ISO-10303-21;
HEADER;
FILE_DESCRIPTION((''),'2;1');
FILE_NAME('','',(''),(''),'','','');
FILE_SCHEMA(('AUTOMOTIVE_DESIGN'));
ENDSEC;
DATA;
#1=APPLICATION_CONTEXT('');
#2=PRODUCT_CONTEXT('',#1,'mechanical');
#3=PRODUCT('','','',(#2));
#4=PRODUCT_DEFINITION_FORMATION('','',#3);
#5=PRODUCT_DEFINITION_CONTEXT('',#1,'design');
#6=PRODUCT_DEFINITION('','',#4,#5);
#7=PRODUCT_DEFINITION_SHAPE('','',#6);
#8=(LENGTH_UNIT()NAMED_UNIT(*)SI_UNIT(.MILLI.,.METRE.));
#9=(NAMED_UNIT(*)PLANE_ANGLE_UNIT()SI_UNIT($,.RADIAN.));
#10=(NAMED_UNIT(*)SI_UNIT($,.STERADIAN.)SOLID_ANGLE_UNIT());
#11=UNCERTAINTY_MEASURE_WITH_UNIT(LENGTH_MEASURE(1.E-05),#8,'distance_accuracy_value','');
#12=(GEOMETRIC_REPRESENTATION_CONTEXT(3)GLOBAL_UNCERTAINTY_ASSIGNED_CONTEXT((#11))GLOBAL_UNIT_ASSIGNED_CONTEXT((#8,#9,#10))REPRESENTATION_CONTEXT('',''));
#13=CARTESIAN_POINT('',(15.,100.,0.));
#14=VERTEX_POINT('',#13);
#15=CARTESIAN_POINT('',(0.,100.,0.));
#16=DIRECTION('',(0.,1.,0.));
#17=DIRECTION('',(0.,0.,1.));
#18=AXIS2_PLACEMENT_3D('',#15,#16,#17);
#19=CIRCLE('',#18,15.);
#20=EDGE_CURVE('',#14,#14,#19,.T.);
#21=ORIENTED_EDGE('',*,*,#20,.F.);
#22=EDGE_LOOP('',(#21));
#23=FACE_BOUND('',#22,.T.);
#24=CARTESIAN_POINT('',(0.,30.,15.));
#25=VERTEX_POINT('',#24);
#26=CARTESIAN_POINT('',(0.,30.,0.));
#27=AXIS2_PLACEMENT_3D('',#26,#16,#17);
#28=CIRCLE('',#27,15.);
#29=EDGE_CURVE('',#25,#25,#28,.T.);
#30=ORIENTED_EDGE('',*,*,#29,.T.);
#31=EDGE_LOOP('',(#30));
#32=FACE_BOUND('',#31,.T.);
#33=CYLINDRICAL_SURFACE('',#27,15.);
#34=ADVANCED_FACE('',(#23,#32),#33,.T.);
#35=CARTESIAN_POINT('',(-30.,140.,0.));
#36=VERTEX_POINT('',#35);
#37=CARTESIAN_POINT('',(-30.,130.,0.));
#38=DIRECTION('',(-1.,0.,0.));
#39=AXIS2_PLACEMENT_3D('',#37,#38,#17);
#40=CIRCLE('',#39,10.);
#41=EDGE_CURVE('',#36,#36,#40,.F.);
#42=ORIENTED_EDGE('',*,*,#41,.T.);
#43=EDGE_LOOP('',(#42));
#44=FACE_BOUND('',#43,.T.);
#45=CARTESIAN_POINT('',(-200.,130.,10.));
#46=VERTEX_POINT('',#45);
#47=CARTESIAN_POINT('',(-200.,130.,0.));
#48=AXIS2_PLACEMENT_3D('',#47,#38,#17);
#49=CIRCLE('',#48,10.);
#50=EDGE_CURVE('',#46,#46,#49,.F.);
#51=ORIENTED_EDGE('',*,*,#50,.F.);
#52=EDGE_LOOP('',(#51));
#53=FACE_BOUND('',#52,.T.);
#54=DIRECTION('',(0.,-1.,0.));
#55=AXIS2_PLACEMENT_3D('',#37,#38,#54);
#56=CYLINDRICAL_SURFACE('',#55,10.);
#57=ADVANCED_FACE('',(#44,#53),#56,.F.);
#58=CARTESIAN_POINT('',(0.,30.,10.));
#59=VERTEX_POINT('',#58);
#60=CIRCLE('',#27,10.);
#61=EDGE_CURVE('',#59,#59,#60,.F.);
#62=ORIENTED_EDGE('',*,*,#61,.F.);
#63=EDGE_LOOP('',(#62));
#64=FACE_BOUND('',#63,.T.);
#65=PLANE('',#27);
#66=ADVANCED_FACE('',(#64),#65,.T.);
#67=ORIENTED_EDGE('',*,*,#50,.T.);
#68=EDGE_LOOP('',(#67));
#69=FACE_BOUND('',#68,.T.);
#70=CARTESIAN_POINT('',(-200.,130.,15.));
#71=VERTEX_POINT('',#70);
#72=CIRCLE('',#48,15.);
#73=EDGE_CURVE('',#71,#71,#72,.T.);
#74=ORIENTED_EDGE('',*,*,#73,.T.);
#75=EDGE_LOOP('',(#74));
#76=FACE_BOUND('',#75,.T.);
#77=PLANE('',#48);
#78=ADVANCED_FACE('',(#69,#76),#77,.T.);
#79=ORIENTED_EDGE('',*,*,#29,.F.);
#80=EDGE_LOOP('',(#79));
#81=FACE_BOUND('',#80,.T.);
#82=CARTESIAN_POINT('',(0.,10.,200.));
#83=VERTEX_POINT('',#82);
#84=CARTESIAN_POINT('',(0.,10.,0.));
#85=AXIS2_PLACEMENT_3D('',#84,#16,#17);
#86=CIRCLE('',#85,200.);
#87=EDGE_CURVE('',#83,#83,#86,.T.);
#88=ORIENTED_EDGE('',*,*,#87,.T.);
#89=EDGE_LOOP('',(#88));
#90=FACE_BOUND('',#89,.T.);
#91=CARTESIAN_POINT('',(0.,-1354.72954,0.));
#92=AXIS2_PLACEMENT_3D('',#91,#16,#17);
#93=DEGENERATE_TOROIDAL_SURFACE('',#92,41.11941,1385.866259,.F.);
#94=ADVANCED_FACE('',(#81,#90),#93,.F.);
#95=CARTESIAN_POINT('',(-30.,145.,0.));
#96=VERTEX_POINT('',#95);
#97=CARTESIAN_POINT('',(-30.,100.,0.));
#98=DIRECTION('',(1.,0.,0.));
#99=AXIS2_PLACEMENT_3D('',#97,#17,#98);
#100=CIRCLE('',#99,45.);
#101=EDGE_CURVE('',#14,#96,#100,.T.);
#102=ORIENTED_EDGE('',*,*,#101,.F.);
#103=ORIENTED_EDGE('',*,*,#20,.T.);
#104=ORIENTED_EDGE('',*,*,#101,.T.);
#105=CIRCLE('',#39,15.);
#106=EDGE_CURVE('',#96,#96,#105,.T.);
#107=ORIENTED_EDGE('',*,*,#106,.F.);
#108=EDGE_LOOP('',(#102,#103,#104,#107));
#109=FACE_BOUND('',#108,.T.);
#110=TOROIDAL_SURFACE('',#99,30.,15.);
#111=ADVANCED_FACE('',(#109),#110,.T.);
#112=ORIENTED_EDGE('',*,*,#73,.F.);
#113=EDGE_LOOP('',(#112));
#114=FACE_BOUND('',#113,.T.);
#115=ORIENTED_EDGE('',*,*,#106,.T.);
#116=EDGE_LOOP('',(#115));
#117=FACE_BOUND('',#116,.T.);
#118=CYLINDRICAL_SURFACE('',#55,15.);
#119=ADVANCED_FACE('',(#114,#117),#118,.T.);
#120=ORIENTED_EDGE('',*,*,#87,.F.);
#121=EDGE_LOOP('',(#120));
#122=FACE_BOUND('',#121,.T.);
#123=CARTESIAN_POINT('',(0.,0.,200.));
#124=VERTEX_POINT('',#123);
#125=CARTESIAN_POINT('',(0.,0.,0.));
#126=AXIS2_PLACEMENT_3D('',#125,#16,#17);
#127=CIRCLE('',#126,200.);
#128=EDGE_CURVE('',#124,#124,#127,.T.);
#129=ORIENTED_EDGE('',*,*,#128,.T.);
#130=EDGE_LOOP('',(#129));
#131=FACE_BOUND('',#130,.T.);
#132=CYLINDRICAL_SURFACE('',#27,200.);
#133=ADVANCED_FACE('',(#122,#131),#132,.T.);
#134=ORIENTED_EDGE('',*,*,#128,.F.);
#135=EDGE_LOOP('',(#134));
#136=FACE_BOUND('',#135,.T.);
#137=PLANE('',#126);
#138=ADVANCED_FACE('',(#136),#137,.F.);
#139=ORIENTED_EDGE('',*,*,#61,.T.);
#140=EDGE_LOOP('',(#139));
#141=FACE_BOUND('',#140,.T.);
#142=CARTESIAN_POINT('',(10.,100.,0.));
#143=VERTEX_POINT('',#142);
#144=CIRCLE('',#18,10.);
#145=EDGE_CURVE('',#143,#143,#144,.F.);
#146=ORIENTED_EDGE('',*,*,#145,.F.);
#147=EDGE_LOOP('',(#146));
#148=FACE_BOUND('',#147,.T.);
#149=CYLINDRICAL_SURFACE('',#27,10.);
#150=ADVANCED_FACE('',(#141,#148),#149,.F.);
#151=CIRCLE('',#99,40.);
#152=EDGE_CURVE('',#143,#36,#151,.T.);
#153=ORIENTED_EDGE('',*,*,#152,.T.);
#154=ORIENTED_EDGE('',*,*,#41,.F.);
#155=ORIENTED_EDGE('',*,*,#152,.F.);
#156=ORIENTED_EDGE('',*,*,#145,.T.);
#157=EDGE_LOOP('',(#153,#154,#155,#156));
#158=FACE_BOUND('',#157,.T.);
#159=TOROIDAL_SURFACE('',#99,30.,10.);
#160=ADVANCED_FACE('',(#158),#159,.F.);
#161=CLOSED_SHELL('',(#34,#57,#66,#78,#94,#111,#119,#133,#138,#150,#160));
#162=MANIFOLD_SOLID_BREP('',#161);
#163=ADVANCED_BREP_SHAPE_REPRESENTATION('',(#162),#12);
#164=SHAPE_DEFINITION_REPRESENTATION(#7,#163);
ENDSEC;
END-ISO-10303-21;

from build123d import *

# Parameters (mm, degrees)
SKETCH2_R   = 15
SKETCH2_R_2 = 10


with BuildPart() as part:
    # Sketch1 → Revolve2 (revolve)
    with BuildSketch(Plane(origin=(0, 0, 0), x_dir=(0, 0, -1), z_dir=(1, 0, 0))):
        with BuildLine():
            Line((0, 30), (-15, 30))
            ThreePointArc((-15, 30), (-107.836049883, 23.108461417), (-200, 10))
            Line((-200, 10), (-200, 0))
            Line((-200, 0), (0, 0))
            Line((0, 0), (0, 30))
        make_face()
    revolve(axis=Axis((0, 30, 0), (0, -1, 0)))

    # Sweep1: sweep along a path in Sketch3
    with BuildLine(Plane.XY) as sweep1_path:
        Line((0, 30), (0, 100))
        ThreePointArc((0, 100), (-8.786796564, 121.213203436), (-30, 130))
        Line((-30, 130), (-200, 130))
    # Sketch2 → Sweep1 (sweep)
    with BuildSketch(Plane(origin=(0, 30, 0), x_dir=(1, 0, 0), z_dir=(0, 1, 0))):
        Circle(SKETCH2_R)
        Circle(SKETCH2_R_2, mode=Mode.SUBTRACT)
    sweep(path=sweep1_path.line)


solid = part.part
